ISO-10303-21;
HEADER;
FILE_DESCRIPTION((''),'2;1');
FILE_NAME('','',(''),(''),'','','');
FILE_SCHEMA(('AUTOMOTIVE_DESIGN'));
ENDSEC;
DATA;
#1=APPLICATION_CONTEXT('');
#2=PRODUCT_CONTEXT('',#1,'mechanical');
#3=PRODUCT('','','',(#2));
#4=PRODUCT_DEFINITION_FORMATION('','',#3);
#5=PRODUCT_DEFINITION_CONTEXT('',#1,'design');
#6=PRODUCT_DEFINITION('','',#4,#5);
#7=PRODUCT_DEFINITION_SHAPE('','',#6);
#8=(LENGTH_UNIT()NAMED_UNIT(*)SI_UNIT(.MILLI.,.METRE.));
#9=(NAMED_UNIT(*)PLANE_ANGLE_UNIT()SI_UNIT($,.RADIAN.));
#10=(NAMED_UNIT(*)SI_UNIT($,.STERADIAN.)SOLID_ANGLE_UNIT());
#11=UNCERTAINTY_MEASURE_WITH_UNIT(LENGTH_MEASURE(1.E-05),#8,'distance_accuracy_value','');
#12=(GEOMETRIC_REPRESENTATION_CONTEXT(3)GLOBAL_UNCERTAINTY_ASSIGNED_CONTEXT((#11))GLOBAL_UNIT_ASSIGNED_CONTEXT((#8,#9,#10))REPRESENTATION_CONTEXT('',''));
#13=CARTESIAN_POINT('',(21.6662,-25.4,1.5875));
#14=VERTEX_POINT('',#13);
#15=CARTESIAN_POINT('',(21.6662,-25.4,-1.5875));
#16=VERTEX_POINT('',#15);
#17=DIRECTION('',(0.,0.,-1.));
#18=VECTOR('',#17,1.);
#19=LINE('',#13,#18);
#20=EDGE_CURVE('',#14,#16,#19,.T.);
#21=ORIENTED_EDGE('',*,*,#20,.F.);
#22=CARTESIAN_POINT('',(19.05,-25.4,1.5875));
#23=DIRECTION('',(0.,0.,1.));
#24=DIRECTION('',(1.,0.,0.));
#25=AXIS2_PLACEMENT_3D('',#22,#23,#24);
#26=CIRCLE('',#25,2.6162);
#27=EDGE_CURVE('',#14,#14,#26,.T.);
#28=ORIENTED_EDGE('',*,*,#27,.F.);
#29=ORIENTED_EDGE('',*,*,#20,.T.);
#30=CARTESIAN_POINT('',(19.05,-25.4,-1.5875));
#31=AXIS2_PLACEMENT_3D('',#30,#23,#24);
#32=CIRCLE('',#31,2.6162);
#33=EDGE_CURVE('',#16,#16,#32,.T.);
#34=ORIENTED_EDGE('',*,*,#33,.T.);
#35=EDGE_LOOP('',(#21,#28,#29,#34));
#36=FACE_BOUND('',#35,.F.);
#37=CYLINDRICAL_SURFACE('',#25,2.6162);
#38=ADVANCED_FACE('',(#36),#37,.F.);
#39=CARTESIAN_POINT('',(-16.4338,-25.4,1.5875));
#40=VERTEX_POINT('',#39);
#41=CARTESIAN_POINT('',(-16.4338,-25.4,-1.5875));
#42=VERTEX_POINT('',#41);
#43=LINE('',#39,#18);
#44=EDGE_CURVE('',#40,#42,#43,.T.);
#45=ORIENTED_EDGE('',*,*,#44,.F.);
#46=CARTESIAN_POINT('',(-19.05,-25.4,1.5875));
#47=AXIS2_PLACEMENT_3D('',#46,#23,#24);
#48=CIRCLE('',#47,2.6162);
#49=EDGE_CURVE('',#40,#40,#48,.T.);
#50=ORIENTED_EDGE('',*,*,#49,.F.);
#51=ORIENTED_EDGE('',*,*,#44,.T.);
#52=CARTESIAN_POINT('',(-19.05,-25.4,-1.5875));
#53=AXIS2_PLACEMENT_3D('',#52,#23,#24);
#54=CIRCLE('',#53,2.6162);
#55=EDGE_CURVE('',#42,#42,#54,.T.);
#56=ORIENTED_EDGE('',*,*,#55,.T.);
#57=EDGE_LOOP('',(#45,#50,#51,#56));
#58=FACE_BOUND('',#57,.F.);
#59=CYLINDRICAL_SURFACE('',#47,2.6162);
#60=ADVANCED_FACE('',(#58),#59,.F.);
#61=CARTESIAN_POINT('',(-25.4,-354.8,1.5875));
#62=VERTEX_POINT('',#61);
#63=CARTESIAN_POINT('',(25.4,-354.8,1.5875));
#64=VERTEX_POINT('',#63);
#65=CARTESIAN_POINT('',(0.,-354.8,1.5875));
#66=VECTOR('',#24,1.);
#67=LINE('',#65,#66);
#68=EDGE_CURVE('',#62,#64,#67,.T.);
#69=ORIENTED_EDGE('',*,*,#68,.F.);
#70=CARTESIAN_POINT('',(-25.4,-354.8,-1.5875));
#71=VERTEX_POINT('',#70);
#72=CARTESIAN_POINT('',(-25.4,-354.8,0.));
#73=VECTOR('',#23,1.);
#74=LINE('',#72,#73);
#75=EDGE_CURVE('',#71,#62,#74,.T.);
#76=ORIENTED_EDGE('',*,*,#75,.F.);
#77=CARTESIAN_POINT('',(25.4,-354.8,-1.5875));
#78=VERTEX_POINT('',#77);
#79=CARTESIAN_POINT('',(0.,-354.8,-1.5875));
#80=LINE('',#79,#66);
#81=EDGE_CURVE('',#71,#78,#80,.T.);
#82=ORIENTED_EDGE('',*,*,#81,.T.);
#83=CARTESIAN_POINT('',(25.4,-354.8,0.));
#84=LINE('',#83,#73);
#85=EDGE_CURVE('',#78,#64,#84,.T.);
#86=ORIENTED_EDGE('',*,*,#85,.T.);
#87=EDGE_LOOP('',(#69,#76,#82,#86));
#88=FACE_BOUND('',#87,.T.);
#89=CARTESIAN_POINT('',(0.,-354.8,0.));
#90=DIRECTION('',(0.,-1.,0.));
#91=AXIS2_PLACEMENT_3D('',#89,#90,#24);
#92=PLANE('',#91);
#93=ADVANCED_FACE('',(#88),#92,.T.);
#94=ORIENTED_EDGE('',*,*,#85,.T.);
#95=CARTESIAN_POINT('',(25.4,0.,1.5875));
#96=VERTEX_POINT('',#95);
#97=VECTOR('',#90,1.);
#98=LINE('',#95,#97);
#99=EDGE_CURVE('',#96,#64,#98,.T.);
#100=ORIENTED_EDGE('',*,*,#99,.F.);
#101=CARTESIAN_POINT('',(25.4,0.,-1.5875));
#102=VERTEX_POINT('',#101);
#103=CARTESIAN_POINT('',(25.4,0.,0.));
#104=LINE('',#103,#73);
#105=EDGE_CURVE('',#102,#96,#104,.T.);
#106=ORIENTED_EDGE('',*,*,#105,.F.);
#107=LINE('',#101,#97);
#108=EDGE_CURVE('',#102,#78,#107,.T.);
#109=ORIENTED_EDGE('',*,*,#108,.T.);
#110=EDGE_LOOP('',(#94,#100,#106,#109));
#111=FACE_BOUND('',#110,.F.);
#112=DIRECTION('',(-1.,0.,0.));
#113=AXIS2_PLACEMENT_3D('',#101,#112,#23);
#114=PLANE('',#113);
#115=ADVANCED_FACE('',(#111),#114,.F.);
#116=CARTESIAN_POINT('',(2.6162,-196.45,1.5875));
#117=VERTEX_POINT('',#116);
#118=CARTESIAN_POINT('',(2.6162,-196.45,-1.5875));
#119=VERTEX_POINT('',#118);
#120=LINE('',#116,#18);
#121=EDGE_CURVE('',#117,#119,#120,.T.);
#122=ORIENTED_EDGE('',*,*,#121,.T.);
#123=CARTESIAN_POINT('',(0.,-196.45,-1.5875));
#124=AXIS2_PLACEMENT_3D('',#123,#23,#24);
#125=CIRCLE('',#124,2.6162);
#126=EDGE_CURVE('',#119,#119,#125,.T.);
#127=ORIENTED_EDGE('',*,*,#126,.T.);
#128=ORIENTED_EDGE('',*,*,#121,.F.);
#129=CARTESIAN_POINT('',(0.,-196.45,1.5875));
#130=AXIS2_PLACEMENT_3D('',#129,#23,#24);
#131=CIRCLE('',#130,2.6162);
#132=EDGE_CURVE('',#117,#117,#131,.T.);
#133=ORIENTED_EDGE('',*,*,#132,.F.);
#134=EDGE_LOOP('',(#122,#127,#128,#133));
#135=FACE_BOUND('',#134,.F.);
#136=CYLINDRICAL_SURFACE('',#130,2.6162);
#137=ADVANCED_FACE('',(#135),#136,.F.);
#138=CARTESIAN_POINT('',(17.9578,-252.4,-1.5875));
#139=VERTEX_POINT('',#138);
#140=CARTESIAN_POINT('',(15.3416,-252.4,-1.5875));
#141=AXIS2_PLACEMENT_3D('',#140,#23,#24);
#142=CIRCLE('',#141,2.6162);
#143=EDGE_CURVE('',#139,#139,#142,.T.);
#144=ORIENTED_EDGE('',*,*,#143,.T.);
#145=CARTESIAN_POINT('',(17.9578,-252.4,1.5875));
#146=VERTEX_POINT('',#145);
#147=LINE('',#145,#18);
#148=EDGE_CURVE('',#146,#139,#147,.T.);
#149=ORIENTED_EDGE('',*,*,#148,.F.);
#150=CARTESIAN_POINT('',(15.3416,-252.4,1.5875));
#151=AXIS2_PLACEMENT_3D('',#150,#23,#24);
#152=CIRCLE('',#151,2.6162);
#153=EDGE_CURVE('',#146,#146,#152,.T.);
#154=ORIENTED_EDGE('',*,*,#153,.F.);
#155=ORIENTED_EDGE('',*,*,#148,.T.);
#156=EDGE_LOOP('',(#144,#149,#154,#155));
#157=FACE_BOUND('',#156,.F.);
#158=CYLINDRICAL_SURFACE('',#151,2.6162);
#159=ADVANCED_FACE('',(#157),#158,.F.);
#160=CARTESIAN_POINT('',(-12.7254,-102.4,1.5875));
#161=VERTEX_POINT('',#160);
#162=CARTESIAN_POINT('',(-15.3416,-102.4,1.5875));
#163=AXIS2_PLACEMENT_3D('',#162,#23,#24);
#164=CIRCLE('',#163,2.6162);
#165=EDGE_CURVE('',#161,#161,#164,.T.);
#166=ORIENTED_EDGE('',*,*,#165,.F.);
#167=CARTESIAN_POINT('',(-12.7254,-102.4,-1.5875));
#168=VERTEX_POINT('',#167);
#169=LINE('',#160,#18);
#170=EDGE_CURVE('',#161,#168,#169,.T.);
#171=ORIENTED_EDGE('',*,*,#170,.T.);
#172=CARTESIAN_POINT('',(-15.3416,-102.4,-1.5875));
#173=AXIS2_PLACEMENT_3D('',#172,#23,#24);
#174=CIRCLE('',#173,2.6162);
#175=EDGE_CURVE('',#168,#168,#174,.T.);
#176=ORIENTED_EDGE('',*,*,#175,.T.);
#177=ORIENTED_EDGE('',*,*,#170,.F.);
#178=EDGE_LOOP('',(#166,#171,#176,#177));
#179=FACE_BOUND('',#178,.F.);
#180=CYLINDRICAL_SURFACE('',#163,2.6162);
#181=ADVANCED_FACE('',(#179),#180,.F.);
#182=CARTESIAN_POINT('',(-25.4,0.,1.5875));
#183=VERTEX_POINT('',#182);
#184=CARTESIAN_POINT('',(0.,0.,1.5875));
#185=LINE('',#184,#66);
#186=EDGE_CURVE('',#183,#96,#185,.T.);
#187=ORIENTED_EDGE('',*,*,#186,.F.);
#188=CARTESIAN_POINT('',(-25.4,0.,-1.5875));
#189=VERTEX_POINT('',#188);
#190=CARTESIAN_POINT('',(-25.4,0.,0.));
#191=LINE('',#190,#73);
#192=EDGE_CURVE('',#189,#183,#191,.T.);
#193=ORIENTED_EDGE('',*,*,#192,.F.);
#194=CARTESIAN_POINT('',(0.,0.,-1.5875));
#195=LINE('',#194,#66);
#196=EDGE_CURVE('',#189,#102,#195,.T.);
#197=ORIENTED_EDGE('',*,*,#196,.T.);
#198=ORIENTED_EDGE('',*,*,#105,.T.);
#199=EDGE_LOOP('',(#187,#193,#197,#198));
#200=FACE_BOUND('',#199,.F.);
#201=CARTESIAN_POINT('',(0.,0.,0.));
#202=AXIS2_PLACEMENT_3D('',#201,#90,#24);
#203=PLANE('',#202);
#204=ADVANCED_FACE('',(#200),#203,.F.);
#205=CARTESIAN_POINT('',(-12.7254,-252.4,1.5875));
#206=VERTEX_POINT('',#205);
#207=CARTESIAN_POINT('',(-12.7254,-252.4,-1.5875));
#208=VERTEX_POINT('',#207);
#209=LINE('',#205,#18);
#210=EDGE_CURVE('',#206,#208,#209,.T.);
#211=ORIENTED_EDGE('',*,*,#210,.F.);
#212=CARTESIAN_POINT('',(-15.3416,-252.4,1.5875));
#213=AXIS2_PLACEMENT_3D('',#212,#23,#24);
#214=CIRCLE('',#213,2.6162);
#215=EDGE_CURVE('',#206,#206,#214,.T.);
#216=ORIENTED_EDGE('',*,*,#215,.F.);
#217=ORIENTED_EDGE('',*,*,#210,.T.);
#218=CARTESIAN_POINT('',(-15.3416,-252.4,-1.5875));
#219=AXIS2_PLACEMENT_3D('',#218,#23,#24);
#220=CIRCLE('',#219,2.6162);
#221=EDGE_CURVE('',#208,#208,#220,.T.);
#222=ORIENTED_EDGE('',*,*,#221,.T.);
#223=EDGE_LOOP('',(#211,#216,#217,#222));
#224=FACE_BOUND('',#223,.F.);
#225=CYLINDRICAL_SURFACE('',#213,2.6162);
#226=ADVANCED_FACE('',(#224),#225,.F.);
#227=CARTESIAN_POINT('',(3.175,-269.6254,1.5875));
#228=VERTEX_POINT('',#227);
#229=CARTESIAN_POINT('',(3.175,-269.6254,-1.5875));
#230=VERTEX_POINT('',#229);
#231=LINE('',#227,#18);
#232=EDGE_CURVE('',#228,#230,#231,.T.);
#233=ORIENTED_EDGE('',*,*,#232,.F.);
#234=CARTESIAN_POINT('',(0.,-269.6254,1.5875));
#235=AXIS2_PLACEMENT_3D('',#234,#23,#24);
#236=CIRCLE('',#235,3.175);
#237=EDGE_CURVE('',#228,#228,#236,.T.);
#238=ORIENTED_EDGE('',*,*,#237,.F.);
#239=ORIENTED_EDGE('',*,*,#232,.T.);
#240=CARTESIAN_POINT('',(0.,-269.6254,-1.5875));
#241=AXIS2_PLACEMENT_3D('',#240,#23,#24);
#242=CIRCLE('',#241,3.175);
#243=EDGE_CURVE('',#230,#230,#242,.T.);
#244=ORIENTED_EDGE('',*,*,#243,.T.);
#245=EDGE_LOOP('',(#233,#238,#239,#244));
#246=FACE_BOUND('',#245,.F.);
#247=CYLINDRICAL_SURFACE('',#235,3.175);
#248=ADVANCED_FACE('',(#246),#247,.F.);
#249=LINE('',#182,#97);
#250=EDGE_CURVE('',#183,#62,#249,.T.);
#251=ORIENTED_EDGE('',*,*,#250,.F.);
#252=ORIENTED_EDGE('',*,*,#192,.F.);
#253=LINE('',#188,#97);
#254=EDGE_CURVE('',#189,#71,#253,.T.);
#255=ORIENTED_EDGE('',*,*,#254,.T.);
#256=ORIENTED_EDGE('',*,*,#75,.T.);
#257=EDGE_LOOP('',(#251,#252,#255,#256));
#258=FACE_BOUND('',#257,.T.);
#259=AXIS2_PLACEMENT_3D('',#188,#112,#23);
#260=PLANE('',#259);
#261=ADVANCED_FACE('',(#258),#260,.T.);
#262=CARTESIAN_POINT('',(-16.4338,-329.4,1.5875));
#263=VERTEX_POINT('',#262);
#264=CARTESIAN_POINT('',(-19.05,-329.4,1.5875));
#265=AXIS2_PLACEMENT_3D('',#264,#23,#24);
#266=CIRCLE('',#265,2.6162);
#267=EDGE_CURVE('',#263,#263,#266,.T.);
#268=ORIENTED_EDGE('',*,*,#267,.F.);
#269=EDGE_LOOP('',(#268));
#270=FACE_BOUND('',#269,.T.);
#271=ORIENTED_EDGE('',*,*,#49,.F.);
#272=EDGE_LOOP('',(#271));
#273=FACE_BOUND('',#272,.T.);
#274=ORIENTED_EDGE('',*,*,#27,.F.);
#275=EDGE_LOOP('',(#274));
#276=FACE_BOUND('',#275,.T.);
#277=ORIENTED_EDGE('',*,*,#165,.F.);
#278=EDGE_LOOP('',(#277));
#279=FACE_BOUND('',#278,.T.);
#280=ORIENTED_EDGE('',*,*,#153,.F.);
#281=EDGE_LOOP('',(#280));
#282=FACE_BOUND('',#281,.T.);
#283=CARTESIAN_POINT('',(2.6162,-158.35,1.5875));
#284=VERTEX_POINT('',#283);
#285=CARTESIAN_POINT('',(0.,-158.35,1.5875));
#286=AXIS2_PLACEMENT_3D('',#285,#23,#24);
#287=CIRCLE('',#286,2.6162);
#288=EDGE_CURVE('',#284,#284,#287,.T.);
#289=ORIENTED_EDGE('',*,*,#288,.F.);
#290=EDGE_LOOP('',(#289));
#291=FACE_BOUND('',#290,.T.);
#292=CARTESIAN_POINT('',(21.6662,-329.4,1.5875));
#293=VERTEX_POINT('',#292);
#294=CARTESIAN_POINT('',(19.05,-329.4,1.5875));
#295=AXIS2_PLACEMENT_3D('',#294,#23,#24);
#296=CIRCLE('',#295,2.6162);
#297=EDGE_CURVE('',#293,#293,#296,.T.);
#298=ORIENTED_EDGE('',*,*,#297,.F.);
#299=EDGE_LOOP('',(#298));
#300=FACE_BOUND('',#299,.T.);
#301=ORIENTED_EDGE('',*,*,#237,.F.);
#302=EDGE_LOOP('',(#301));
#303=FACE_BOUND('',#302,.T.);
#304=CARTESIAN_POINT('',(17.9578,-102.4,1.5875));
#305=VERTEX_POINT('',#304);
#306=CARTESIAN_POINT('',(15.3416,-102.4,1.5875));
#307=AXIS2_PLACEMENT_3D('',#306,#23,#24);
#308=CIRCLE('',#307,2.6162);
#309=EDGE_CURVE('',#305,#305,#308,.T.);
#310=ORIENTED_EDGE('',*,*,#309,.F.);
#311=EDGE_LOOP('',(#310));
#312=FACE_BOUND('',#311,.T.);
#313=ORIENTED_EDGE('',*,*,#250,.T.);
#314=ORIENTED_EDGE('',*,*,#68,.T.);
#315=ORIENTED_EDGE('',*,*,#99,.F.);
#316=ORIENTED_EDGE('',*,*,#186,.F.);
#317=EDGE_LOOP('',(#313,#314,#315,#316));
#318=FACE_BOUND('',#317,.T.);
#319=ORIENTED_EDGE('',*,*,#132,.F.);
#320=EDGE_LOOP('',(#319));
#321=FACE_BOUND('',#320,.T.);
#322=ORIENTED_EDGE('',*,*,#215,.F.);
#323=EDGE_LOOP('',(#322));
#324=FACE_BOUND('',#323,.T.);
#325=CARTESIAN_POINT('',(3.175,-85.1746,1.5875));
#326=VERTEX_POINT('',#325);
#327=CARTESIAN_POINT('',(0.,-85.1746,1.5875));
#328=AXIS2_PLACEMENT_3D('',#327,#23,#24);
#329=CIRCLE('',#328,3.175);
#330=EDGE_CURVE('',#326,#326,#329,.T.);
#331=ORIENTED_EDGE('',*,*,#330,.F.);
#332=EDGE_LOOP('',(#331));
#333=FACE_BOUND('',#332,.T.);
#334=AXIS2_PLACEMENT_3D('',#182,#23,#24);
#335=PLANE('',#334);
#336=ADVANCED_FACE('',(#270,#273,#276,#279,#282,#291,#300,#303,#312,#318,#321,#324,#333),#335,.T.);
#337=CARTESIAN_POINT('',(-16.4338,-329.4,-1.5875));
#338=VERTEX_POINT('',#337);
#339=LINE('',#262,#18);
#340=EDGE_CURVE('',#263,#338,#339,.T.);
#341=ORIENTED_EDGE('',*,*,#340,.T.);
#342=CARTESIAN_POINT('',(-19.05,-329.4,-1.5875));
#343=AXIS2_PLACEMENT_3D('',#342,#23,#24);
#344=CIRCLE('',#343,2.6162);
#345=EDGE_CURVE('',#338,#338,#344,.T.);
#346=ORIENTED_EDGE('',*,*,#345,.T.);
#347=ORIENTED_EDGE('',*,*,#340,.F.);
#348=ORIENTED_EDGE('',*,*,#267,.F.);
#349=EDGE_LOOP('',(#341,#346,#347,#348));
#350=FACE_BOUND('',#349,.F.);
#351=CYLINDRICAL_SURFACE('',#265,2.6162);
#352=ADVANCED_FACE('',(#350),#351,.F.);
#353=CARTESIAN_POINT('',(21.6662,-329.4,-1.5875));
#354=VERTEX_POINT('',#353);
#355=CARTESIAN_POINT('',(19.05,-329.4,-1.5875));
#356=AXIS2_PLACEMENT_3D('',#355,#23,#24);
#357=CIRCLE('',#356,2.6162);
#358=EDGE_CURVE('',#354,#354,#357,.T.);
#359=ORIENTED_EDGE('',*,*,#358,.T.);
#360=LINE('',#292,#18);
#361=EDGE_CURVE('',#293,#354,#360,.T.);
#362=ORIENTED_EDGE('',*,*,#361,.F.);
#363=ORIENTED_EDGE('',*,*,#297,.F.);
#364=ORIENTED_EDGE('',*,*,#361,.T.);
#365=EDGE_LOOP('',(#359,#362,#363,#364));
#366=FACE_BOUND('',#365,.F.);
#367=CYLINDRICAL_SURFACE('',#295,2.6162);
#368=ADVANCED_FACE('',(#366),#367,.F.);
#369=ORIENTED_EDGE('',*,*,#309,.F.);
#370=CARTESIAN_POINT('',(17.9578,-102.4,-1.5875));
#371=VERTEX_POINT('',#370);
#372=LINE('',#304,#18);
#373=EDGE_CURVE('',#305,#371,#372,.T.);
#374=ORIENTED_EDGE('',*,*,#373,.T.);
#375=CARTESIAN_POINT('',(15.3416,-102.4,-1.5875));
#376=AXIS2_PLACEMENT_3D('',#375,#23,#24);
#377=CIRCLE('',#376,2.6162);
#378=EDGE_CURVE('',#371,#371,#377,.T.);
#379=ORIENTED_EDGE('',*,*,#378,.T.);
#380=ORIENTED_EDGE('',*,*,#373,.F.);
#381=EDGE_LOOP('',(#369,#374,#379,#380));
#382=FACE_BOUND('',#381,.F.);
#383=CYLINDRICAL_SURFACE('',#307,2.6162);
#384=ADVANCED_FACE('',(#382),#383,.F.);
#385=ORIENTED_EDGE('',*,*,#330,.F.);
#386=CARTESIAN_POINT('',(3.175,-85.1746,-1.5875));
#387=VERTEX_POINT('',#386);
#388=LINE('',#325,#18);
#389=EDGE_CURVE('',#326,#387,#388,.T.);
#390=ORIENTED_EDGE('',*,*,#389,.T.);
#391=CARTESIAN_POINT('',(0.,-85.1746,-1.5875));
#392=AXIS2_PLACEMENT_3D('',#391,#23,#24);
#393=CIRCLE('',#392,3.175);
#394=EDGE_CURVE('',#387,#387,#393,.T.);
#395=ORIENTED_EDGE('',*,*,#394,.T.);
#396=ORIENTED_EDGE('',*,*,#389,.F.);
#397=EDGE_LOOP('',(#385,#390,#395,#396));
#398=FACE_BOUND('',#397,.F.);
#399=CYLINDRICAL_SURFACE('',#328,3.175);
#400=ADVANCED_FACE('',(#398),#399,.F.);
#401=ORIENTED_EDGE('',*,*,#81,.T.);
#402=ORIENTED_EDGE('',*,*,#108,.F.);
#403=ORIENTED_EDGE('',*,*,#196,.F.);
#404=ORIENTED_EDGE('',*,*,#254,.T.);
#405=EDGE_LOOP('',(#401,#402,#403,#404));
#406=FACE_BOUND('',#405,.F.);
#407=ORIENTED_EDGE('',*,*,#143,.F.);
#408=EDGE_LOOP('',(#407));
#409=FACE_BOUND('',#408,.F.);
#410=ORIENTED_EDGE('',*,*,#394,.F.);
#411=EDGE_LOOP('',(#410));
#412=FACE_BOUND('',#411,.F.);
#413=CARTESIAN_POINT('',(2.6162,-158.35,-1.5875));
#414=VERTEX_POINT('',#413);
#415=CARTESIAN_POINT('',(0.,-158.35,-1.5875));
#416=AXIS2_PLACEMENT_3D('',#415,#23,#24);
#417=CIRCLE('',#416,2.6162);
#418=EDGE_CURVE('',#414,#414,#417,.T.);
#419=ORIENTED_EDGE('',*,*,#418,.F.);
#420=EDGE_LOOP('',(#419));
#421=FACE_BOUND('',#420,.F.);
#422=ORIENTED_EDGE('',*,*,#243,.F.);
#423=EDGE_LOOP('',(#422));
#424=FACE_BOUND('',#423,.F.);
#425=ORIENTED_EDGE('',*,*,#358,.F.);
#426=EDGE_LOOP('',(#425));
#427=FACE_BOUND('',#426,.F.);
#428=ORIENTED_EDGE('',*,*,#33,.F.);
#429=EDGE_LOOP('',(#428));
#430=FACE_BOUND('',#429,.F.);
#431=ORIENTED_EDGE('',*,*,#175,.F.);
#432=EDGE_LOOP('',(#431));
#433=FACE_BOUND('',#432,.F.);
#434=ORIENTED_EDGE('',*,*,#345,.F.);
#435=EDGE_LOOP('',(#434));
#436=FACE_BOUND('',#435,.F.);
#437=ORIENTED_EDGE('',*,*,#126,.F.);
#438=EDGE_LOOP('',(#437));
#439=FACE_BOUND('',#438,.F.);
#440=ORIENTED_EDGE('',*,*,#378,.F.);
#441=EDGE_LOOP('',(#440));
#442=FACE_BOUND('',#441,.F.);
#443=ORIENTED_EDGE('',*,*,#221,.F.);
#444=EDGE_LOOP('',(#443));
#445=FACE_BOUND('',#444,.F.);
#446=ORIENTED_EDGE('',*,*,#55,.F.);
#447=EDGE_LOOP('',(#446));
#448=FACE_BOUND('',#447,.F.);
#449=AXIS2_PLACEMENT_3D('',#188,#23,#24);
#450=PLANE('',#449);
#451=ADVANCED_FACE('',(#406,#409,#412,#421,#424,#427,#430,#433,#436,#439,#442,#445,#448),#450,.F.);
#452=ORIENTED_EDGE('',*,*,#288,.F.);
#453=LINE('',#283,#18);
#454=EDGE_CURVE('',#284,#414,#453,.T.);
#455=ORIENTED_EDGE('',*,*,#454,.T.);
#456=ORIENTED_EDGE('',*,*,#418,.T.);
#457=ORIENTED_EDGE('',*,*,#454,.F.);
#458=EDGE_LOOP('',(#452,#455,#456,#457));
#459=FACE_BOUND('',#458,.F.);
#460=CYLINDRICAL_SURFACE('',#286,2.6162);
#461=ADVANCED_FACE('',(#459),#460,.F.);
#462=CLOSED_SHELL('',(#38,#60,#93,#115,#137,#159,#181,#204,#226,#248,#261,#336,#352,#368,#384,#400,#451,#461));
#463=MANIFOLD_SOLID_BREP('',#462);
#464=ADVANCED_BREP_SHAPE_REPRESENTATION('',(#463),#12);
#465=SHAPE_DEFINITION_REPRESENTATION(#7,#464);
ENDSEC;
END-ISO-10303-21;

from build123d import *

# Parameters (mm, degrees)
F0_W     = 50.8
F0_H     = 3.175
F1_DEPTH = 354.8
F2_R     = 2.6162
F2_R_2   = 3.175
F3_DEPTH = 3.176


with BuildPart() as f1:
    # F0 (on Front) → F1 (new body)
    with BuildSketch(Plane.XZ):
        Rectangle(F0_W, F0_H)
    extrude(amount=F1_DEPTH)

    # F2 (on face) → F3 (cut, through all)
    with BuildSketch(Plane.XY.offset(1.5875)):
        with Locations((0, -158.35)):
            Circle(F2_R)
        with Locations((0, -196.45)):
            Circle(F2_R)
        with Locations((-19.05, -329.4)):
            Circle(F2_R)
        with Locations((19.05, -329.4)):
            Circle(F2_R)
        with Locations((19.05, -25.4)):
            Circle(F2_R)
        with Locations((-19.05, -25.4)):
            Circle(F2_R)
        with Locations((-15.3416, -252.4)):
            Circle(F2_R)
        with Locations((15.3416, -252.4)):
            Circle(F2_R)
        with Locations((15.3416, -102.4)):
            Circle(F2_R)
        with Locations((-15.3416, -102.4)):
            Circle(F2_R)
        with Locations((0, -269.6254)):
            Circle(F2_R_2)
        with Locations((0, -85.1746)):
            Circle(F2_R_2)
    extrude(amount=-F3_DEPTH, mode=Mode.SUBTRACT)


solid = f1.part
